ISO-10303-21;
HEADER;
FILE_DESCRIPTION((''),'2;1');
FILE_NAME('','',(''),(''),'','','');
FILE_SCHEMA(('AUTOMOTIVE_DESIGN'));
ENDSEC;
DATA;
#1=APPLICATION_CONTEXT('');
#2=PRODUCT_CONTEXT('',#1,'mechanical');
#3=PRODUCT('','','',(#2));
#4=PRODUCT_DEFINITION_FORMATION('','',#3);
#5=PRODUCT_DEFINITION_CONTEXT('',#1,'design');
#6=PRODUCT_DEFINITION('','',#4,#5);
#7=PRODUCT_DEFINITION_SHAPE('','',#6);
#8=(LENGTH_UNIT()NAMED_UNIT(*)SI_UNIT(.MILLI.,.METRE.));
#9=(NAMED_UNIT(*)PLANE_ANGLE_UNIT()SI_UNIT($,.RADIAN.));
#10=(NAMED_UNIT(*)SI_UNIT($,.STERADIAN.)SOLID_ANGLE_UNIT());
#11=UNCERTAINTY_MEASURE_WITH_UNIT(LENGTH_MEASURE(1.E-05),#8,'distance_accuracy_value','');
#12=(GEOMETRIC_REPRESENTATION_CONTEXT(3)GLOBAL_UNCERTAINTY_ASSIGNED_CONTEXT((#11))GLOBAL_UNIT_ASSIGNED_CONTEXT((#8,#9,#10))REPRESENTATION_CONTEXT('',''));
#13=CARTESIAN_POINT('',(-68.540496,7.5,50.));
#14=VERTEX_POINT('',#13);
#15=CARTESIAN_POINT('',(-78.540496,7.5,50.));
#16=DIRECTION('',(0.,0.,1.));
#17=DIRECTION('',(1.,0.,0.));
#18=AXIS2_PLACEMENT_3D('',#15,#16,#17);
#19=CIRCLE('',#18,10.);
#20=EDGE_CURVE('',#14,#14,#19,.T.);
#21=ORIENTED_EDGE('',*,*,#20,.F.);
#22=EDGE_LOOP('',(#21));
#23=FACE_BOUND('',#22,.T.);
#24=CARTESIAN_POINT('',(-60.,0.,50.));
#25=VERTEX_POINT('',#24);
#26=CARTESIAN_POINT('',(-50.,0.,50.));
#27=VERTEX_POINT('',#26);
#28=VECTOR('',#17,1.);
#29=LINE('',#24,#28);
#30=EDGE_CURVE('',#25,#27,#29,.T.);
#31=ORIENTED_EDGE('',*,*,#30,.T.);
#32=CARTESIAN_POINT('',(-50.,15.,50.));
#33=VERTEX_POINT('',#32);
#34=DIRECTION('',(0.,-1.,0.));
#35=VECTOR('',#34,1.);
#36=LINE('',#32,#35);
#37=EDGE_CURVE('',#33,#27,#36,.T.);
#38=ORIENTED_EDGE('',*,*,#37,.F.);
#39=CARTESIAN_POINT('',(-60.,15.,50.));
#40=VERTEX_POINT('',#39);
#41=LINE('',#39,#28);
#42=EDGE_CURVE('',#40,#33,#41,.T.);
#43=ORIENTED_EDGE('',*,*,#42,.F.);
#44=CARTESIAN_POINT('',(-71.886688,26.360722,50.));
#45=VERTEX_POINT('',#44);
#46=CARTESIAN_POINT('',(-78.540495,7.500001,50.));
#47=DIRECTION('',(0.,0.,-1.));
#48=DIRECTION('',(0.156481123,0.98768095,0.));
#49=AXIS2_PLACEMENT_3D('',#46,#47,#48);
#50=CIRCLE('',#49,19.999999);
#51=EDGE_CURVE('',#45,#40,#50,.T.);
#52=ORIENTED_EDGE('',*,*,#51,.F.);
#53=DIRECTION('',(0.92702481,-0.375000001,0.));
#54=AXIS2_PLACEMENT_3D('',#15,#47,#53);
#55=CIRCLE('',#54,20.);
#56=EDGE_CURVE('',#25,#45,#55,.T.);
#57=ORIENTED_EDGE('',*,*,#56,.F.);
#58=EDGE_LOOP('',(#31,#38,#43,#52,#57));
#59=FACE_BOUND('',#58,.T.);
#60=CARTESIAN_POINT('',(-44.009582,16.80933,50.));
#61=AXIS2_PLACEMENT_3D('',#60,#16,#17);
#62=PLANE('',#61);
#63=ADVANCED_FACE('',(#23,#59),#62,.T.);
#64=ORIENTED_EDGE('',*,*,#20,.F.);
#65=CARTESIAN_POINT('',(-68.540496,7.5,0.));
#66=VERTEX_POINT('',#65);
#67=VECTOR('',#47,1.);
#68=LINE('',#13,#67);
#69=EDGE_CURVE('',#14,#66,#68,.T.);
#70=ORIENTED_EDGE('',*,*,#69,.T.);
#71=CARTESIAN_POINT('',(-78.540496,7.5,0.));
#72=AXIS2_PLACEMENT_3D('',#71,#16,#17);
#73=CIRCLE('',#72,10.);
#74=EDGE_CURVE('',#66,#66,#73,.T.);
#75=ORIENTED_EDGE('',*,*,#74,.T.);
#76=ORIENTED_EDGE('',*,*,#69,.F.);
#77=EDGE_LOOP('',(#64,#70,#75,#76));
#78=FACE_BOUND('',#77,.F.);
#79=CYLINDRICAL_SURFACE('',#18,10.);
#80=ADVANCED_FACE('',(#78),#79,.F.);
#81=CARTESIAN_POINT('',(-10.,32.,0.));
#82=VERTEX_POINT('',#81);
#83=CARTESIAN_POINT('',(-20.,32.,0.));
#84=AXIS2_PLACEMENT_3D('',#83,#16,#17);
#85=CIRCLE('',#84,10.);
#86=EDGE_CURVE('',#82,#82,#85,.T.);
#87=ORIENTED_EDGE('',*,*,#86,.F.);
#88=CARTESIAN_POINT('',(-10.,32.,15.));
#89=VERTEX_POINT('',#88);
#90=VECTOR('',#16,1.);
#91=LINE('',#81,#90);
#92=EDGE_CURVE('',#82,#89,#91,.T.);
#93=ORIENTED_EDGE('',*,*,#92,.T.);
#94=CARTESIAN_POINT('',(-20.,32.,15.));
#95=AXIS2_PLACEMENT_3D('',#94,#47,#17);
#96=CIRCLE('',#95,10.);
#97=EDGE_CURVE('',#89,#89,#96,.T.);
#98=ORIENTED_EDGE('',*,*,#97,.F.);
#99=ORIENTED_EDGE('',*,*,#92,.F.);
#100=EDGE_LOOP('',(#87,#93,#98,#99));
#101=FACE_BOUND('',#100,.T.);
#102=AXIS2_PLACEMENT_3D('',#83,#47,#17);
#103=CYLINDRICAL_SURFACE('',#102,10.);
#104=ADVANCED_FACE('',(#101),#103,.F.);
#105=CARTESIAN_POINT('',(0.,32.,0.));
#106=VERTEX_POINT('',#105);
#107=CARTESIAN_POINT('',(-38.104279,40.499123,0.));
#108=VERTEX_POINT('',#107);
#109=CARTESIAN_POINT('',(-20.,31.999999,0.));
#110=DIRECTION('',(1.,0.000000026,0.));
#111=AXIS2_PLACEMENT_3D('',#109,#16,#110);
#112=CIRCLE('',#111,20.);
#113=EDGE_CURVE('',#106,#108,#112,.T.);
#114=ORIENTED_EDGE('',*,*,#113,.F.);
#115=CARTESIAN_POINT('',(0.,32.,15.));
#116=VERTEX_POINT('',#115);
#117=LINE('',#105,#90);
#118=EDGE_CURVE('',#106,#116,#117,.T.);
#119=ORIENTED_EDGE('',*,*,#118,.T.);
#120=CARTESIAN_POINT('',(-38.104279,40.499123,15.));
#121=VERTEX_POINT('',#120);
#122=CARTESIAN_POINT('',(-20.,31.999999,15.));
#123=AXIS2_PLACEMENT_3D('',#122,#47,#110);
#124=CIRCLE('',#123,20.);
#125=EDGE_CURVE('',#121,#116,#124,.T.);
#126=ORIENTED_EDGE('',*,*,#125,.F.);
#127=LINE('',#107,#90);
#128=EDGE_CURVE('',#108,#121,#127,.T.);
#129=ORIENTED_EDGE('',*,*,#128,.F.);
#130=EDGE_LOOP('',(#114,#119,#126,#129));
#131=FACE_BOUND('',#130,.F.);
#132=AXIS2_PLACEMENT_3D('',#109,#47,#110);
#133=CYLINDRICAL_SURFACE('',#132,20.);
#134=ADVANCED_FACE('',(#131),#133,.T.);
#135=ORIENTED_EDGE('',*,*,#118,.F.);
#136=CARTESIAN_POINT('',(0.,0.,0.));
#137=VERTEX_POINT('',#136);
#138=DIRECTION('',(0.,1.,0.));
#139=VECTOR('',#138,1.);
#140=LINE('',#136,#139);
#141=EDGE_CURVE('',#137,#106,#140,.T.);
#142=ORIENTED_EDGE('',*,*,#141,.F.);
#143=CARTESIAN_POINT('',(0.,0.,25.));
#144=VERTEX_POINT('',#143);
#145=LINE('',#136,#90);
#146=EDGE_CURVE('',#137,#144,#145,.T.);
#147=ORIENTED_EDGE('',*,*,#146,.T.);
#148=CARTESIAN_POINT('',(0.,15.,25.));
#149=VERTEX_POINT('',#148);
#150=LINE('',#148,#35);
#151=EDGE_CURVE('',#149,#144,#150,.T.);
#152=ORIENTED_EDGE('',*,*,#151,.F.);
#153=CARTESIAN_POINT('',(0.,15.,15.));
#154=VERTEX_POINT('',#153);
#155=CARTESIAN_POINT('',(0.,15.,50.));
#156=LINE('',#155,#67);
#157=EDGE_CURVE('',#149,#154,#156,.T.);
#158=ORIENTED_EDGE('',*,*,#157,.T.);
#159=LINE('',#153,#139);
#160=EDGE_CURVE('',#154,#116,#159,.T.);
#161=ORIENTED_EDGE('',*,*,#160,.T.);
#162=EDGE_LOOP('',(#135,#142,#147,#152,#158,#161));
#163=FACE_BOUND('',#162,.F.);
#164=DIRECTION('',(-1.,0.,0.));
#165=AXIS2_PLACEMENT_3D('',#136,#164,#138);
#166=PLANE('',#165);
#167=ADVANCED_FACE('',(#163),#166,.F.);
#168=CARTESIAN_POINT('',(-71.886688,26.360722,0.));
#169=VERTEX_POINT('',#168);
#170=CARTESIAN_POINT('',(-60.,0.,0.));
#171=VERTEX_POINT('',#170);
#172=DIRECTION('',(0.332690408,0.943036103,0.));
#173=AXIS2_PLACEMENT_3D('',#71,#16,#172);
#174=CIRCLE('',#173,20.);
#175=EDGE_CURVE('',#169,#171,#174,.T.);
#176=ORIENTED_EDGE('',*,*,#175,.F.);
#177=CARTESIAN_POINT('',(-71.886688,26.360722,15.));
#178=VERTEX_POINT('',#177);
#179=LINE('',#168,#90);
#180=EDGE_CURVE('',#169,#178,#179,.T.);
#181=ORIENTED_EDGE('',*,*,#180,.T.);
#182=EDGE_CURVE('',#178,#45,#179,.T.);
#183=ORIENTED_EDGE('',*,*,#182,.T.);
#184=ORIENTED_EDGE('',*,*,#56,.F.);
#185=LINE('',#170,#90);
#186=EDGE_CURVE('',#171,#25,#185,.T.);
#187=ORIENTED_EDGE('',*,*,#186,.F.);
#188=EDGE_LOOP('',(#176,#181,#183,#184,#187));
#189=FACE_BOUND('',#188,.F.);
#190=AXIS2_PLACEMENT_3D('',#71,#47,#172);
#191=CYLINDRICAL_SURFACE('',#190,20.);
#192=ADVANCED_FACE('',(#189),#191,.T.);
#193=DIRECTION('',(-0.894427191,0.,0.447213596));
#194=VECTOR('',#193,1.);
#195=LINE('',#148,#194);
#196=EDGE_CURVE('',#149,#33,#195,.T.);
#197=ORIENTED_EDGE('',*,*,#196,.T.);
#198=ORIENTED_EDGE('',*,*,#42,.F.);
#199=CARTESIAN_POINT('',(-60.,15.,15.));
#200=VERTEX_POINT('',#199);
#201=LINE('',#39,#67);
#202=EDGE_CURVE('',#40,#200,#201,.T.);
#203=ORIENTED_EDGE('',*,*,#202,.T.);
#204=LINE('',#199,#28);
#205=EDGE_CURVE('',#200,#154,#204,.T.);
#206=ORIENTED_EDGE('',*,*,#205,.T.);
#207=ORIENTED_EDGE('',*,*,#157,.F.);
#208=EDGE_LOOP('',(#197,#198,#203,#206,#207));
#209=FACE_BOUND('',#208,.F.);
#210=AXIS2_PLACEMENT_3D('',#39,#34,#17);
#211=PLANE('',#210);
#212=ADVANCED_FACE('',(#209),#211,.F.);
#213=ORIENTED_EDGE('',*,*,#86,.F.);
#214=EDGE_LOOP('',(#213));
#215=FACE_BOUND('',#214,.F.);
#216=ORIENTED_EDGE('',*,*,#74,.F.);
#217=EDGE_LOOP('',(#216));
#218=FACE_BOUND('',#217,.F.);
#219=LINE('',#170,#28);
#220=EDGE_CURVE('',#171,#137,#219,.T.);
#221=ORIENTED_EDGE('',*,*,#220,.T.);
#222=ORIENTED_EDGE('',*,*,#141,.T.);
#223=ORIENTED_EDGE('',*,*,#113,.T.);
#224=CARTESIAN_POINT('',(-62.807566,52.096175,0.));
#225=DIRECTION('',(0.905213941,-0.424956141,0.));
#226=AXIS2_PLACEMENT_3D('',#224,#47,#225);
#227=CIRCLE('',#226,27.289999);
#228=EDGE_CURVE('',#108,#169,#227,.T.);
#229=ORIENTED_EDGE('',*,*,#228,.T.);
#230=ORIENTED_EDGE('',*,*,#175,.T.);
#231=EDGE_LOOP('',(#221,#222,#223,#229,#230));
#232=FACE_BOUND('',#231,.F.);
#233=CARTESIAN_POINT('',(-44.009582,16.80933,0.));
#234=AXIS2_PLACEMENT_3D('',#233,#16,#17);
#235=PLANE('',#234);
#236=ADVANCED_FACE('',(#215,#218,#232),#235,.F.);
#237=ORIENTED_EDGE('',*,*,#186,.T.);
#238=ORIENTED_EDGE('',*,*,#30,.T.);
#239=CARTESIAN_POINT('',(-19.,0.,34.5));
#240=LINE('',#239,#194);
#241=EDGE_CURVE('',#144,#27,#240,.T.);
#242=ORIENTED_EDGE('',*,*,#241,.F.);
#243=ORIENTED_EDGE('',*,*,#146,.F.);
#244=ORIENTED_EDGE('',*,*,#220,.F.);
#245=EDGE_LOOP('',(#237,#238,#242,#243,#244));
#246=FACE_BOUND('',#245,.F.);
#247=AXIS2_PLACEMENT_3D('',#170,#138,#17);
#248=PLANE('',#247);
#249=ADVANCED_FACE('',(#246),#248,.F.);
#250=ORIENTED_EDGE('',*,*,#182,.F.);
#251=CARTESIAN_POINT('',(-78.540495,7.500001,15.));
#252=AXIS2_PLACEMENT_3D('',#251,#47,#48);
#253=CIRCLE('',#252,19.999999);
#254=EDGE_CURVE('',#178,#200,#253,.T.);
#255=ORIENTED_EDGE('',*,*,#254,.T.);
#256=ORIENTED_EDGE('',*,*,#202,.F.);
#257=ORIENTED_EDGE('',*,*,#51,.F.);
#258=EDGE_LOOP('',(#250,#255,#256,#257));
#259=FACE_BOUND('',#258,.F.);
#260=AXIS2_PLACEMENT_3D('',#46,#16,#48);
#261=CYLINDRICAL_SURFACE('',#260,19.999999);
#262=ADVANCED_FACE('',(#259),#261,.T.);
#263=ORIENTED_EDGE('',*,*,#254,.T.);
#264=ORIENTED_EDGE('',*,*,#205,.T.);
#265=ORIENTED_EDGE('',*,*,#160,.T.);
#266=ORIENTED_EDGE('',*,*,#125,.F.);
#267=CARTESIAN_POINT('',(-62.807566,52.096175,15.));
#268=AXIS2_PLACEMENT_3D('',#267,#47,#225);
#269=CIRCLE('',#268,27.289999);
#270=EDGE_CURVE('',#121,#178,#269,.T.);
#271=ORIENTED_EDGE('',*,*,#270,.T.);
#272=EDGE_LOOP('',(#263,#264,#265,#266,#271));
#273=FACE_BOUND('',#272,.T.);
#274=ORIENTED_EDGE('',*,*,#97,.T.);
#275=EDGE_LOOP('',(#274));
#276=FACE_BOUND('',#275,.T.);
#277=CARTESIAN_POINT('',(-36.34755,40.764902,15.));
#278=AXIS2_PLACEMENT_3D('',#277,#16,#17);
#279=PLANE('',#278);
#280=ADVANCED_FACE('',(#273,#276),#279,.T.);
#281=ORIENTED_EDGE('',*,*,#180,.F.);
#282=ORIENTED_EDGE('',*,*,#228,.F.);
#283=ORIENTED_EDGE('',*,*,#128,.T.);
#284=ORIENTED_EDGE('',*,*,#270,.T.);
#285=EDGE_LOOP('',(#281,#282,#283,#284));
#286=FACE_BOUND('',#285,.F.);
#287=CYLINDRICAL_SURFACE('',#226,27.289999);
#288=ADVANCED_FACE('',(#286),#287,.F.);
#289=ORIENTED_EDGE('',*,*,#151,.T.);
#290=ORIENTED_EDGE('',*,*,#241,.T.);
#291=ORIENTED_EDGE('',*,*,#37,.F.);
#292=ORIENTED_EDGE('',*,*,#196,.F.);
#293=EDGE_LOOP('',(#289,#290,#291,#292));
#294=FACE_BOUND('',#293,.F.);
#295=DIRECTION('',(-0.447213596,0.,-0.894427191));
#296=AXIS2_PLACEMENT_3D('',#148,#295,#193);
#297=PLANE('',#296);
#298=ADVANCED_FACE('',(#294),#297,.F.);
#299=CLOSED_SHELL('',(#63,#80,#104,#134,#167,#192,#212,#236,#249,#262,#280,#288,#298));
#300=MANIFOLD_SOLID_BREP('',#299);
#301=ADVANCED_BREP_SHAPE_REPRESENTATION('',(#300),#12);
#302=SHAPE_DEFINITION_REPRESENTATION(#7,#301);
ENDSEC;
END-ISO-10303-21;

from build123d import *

# Parameters (mm, degrees)
F0_R     = 10
F1_DEPTH = 50
F2_R     = 10
F3_DEPTH = 50.001
F5_DEPTH = 35
F7_DEPTH = 27.501


with BuildPart() as f1:
    # F0 (on Top) → F1 (new body)
    with BuildSketch(Plane.XY):
        with BuildLine():
            Line((-60, 0), (0, 0))
            Line((0, 0), (0, 32))
            ThreePointArc((0, 32), (-15.646012, 51.520317), (-38.104279, 40.499123))
            ThreePointArc((-38.104279, 40.499123), (-52.271806, 26.921947), (-71.886688, 26.360722))
            ThreePointArc((-71.886688, 26.360722), (-96.772615, -0.721304), (-60, 0))
        make_face()
        with Locations((-20, 32)):
            Circle(F0_R, mode=Mode.SUBTRACT)
    extrude(amount=F1_DEPTH)

    # F2 (on face) → F3 (cut, through all)
    with BuildSketch(Plane.XY.offset(50)):
        with Locations((-78.540496, 7.5)):
            Circle(F2_R)
    extrude(amount=-F3_DEPTH, mode=Mode.SUBTRACT)

    # F4 (on face) → F5 (cut)
    with BuildSketch(Plane.XY.offset(50)):
        with BuildLine():
            ThreePointArc((-75.410873, 27.253619), (-66.093154, 23.15451), (-60, 15))
            Line((-60, 15), (0, 15))
            Line((0, 15), (0, 64.447676))
            Line((0, 64.447676), (-75.410873, 64.447676))
            Line((-75.410873, 64.447676), (-75.410873, 27.253619))
        make_face()
    extrude(amount=-F5_DEPTH, mode=Mode.SUBTRACT)

    # F6 (on face) → F7 (cut, through all)
    with BuildSketch(Plane(origin=(0, 15, 0), x_dir=(-1, 0, 0), z_dir=(0, 1, 0))):
        Polygon((0, 50), (0, 25), (50, 50), align=None)
    extrude(amount=-F7_DEPTH, mode=Mode.SUBTRACT)


solid = f1.part
